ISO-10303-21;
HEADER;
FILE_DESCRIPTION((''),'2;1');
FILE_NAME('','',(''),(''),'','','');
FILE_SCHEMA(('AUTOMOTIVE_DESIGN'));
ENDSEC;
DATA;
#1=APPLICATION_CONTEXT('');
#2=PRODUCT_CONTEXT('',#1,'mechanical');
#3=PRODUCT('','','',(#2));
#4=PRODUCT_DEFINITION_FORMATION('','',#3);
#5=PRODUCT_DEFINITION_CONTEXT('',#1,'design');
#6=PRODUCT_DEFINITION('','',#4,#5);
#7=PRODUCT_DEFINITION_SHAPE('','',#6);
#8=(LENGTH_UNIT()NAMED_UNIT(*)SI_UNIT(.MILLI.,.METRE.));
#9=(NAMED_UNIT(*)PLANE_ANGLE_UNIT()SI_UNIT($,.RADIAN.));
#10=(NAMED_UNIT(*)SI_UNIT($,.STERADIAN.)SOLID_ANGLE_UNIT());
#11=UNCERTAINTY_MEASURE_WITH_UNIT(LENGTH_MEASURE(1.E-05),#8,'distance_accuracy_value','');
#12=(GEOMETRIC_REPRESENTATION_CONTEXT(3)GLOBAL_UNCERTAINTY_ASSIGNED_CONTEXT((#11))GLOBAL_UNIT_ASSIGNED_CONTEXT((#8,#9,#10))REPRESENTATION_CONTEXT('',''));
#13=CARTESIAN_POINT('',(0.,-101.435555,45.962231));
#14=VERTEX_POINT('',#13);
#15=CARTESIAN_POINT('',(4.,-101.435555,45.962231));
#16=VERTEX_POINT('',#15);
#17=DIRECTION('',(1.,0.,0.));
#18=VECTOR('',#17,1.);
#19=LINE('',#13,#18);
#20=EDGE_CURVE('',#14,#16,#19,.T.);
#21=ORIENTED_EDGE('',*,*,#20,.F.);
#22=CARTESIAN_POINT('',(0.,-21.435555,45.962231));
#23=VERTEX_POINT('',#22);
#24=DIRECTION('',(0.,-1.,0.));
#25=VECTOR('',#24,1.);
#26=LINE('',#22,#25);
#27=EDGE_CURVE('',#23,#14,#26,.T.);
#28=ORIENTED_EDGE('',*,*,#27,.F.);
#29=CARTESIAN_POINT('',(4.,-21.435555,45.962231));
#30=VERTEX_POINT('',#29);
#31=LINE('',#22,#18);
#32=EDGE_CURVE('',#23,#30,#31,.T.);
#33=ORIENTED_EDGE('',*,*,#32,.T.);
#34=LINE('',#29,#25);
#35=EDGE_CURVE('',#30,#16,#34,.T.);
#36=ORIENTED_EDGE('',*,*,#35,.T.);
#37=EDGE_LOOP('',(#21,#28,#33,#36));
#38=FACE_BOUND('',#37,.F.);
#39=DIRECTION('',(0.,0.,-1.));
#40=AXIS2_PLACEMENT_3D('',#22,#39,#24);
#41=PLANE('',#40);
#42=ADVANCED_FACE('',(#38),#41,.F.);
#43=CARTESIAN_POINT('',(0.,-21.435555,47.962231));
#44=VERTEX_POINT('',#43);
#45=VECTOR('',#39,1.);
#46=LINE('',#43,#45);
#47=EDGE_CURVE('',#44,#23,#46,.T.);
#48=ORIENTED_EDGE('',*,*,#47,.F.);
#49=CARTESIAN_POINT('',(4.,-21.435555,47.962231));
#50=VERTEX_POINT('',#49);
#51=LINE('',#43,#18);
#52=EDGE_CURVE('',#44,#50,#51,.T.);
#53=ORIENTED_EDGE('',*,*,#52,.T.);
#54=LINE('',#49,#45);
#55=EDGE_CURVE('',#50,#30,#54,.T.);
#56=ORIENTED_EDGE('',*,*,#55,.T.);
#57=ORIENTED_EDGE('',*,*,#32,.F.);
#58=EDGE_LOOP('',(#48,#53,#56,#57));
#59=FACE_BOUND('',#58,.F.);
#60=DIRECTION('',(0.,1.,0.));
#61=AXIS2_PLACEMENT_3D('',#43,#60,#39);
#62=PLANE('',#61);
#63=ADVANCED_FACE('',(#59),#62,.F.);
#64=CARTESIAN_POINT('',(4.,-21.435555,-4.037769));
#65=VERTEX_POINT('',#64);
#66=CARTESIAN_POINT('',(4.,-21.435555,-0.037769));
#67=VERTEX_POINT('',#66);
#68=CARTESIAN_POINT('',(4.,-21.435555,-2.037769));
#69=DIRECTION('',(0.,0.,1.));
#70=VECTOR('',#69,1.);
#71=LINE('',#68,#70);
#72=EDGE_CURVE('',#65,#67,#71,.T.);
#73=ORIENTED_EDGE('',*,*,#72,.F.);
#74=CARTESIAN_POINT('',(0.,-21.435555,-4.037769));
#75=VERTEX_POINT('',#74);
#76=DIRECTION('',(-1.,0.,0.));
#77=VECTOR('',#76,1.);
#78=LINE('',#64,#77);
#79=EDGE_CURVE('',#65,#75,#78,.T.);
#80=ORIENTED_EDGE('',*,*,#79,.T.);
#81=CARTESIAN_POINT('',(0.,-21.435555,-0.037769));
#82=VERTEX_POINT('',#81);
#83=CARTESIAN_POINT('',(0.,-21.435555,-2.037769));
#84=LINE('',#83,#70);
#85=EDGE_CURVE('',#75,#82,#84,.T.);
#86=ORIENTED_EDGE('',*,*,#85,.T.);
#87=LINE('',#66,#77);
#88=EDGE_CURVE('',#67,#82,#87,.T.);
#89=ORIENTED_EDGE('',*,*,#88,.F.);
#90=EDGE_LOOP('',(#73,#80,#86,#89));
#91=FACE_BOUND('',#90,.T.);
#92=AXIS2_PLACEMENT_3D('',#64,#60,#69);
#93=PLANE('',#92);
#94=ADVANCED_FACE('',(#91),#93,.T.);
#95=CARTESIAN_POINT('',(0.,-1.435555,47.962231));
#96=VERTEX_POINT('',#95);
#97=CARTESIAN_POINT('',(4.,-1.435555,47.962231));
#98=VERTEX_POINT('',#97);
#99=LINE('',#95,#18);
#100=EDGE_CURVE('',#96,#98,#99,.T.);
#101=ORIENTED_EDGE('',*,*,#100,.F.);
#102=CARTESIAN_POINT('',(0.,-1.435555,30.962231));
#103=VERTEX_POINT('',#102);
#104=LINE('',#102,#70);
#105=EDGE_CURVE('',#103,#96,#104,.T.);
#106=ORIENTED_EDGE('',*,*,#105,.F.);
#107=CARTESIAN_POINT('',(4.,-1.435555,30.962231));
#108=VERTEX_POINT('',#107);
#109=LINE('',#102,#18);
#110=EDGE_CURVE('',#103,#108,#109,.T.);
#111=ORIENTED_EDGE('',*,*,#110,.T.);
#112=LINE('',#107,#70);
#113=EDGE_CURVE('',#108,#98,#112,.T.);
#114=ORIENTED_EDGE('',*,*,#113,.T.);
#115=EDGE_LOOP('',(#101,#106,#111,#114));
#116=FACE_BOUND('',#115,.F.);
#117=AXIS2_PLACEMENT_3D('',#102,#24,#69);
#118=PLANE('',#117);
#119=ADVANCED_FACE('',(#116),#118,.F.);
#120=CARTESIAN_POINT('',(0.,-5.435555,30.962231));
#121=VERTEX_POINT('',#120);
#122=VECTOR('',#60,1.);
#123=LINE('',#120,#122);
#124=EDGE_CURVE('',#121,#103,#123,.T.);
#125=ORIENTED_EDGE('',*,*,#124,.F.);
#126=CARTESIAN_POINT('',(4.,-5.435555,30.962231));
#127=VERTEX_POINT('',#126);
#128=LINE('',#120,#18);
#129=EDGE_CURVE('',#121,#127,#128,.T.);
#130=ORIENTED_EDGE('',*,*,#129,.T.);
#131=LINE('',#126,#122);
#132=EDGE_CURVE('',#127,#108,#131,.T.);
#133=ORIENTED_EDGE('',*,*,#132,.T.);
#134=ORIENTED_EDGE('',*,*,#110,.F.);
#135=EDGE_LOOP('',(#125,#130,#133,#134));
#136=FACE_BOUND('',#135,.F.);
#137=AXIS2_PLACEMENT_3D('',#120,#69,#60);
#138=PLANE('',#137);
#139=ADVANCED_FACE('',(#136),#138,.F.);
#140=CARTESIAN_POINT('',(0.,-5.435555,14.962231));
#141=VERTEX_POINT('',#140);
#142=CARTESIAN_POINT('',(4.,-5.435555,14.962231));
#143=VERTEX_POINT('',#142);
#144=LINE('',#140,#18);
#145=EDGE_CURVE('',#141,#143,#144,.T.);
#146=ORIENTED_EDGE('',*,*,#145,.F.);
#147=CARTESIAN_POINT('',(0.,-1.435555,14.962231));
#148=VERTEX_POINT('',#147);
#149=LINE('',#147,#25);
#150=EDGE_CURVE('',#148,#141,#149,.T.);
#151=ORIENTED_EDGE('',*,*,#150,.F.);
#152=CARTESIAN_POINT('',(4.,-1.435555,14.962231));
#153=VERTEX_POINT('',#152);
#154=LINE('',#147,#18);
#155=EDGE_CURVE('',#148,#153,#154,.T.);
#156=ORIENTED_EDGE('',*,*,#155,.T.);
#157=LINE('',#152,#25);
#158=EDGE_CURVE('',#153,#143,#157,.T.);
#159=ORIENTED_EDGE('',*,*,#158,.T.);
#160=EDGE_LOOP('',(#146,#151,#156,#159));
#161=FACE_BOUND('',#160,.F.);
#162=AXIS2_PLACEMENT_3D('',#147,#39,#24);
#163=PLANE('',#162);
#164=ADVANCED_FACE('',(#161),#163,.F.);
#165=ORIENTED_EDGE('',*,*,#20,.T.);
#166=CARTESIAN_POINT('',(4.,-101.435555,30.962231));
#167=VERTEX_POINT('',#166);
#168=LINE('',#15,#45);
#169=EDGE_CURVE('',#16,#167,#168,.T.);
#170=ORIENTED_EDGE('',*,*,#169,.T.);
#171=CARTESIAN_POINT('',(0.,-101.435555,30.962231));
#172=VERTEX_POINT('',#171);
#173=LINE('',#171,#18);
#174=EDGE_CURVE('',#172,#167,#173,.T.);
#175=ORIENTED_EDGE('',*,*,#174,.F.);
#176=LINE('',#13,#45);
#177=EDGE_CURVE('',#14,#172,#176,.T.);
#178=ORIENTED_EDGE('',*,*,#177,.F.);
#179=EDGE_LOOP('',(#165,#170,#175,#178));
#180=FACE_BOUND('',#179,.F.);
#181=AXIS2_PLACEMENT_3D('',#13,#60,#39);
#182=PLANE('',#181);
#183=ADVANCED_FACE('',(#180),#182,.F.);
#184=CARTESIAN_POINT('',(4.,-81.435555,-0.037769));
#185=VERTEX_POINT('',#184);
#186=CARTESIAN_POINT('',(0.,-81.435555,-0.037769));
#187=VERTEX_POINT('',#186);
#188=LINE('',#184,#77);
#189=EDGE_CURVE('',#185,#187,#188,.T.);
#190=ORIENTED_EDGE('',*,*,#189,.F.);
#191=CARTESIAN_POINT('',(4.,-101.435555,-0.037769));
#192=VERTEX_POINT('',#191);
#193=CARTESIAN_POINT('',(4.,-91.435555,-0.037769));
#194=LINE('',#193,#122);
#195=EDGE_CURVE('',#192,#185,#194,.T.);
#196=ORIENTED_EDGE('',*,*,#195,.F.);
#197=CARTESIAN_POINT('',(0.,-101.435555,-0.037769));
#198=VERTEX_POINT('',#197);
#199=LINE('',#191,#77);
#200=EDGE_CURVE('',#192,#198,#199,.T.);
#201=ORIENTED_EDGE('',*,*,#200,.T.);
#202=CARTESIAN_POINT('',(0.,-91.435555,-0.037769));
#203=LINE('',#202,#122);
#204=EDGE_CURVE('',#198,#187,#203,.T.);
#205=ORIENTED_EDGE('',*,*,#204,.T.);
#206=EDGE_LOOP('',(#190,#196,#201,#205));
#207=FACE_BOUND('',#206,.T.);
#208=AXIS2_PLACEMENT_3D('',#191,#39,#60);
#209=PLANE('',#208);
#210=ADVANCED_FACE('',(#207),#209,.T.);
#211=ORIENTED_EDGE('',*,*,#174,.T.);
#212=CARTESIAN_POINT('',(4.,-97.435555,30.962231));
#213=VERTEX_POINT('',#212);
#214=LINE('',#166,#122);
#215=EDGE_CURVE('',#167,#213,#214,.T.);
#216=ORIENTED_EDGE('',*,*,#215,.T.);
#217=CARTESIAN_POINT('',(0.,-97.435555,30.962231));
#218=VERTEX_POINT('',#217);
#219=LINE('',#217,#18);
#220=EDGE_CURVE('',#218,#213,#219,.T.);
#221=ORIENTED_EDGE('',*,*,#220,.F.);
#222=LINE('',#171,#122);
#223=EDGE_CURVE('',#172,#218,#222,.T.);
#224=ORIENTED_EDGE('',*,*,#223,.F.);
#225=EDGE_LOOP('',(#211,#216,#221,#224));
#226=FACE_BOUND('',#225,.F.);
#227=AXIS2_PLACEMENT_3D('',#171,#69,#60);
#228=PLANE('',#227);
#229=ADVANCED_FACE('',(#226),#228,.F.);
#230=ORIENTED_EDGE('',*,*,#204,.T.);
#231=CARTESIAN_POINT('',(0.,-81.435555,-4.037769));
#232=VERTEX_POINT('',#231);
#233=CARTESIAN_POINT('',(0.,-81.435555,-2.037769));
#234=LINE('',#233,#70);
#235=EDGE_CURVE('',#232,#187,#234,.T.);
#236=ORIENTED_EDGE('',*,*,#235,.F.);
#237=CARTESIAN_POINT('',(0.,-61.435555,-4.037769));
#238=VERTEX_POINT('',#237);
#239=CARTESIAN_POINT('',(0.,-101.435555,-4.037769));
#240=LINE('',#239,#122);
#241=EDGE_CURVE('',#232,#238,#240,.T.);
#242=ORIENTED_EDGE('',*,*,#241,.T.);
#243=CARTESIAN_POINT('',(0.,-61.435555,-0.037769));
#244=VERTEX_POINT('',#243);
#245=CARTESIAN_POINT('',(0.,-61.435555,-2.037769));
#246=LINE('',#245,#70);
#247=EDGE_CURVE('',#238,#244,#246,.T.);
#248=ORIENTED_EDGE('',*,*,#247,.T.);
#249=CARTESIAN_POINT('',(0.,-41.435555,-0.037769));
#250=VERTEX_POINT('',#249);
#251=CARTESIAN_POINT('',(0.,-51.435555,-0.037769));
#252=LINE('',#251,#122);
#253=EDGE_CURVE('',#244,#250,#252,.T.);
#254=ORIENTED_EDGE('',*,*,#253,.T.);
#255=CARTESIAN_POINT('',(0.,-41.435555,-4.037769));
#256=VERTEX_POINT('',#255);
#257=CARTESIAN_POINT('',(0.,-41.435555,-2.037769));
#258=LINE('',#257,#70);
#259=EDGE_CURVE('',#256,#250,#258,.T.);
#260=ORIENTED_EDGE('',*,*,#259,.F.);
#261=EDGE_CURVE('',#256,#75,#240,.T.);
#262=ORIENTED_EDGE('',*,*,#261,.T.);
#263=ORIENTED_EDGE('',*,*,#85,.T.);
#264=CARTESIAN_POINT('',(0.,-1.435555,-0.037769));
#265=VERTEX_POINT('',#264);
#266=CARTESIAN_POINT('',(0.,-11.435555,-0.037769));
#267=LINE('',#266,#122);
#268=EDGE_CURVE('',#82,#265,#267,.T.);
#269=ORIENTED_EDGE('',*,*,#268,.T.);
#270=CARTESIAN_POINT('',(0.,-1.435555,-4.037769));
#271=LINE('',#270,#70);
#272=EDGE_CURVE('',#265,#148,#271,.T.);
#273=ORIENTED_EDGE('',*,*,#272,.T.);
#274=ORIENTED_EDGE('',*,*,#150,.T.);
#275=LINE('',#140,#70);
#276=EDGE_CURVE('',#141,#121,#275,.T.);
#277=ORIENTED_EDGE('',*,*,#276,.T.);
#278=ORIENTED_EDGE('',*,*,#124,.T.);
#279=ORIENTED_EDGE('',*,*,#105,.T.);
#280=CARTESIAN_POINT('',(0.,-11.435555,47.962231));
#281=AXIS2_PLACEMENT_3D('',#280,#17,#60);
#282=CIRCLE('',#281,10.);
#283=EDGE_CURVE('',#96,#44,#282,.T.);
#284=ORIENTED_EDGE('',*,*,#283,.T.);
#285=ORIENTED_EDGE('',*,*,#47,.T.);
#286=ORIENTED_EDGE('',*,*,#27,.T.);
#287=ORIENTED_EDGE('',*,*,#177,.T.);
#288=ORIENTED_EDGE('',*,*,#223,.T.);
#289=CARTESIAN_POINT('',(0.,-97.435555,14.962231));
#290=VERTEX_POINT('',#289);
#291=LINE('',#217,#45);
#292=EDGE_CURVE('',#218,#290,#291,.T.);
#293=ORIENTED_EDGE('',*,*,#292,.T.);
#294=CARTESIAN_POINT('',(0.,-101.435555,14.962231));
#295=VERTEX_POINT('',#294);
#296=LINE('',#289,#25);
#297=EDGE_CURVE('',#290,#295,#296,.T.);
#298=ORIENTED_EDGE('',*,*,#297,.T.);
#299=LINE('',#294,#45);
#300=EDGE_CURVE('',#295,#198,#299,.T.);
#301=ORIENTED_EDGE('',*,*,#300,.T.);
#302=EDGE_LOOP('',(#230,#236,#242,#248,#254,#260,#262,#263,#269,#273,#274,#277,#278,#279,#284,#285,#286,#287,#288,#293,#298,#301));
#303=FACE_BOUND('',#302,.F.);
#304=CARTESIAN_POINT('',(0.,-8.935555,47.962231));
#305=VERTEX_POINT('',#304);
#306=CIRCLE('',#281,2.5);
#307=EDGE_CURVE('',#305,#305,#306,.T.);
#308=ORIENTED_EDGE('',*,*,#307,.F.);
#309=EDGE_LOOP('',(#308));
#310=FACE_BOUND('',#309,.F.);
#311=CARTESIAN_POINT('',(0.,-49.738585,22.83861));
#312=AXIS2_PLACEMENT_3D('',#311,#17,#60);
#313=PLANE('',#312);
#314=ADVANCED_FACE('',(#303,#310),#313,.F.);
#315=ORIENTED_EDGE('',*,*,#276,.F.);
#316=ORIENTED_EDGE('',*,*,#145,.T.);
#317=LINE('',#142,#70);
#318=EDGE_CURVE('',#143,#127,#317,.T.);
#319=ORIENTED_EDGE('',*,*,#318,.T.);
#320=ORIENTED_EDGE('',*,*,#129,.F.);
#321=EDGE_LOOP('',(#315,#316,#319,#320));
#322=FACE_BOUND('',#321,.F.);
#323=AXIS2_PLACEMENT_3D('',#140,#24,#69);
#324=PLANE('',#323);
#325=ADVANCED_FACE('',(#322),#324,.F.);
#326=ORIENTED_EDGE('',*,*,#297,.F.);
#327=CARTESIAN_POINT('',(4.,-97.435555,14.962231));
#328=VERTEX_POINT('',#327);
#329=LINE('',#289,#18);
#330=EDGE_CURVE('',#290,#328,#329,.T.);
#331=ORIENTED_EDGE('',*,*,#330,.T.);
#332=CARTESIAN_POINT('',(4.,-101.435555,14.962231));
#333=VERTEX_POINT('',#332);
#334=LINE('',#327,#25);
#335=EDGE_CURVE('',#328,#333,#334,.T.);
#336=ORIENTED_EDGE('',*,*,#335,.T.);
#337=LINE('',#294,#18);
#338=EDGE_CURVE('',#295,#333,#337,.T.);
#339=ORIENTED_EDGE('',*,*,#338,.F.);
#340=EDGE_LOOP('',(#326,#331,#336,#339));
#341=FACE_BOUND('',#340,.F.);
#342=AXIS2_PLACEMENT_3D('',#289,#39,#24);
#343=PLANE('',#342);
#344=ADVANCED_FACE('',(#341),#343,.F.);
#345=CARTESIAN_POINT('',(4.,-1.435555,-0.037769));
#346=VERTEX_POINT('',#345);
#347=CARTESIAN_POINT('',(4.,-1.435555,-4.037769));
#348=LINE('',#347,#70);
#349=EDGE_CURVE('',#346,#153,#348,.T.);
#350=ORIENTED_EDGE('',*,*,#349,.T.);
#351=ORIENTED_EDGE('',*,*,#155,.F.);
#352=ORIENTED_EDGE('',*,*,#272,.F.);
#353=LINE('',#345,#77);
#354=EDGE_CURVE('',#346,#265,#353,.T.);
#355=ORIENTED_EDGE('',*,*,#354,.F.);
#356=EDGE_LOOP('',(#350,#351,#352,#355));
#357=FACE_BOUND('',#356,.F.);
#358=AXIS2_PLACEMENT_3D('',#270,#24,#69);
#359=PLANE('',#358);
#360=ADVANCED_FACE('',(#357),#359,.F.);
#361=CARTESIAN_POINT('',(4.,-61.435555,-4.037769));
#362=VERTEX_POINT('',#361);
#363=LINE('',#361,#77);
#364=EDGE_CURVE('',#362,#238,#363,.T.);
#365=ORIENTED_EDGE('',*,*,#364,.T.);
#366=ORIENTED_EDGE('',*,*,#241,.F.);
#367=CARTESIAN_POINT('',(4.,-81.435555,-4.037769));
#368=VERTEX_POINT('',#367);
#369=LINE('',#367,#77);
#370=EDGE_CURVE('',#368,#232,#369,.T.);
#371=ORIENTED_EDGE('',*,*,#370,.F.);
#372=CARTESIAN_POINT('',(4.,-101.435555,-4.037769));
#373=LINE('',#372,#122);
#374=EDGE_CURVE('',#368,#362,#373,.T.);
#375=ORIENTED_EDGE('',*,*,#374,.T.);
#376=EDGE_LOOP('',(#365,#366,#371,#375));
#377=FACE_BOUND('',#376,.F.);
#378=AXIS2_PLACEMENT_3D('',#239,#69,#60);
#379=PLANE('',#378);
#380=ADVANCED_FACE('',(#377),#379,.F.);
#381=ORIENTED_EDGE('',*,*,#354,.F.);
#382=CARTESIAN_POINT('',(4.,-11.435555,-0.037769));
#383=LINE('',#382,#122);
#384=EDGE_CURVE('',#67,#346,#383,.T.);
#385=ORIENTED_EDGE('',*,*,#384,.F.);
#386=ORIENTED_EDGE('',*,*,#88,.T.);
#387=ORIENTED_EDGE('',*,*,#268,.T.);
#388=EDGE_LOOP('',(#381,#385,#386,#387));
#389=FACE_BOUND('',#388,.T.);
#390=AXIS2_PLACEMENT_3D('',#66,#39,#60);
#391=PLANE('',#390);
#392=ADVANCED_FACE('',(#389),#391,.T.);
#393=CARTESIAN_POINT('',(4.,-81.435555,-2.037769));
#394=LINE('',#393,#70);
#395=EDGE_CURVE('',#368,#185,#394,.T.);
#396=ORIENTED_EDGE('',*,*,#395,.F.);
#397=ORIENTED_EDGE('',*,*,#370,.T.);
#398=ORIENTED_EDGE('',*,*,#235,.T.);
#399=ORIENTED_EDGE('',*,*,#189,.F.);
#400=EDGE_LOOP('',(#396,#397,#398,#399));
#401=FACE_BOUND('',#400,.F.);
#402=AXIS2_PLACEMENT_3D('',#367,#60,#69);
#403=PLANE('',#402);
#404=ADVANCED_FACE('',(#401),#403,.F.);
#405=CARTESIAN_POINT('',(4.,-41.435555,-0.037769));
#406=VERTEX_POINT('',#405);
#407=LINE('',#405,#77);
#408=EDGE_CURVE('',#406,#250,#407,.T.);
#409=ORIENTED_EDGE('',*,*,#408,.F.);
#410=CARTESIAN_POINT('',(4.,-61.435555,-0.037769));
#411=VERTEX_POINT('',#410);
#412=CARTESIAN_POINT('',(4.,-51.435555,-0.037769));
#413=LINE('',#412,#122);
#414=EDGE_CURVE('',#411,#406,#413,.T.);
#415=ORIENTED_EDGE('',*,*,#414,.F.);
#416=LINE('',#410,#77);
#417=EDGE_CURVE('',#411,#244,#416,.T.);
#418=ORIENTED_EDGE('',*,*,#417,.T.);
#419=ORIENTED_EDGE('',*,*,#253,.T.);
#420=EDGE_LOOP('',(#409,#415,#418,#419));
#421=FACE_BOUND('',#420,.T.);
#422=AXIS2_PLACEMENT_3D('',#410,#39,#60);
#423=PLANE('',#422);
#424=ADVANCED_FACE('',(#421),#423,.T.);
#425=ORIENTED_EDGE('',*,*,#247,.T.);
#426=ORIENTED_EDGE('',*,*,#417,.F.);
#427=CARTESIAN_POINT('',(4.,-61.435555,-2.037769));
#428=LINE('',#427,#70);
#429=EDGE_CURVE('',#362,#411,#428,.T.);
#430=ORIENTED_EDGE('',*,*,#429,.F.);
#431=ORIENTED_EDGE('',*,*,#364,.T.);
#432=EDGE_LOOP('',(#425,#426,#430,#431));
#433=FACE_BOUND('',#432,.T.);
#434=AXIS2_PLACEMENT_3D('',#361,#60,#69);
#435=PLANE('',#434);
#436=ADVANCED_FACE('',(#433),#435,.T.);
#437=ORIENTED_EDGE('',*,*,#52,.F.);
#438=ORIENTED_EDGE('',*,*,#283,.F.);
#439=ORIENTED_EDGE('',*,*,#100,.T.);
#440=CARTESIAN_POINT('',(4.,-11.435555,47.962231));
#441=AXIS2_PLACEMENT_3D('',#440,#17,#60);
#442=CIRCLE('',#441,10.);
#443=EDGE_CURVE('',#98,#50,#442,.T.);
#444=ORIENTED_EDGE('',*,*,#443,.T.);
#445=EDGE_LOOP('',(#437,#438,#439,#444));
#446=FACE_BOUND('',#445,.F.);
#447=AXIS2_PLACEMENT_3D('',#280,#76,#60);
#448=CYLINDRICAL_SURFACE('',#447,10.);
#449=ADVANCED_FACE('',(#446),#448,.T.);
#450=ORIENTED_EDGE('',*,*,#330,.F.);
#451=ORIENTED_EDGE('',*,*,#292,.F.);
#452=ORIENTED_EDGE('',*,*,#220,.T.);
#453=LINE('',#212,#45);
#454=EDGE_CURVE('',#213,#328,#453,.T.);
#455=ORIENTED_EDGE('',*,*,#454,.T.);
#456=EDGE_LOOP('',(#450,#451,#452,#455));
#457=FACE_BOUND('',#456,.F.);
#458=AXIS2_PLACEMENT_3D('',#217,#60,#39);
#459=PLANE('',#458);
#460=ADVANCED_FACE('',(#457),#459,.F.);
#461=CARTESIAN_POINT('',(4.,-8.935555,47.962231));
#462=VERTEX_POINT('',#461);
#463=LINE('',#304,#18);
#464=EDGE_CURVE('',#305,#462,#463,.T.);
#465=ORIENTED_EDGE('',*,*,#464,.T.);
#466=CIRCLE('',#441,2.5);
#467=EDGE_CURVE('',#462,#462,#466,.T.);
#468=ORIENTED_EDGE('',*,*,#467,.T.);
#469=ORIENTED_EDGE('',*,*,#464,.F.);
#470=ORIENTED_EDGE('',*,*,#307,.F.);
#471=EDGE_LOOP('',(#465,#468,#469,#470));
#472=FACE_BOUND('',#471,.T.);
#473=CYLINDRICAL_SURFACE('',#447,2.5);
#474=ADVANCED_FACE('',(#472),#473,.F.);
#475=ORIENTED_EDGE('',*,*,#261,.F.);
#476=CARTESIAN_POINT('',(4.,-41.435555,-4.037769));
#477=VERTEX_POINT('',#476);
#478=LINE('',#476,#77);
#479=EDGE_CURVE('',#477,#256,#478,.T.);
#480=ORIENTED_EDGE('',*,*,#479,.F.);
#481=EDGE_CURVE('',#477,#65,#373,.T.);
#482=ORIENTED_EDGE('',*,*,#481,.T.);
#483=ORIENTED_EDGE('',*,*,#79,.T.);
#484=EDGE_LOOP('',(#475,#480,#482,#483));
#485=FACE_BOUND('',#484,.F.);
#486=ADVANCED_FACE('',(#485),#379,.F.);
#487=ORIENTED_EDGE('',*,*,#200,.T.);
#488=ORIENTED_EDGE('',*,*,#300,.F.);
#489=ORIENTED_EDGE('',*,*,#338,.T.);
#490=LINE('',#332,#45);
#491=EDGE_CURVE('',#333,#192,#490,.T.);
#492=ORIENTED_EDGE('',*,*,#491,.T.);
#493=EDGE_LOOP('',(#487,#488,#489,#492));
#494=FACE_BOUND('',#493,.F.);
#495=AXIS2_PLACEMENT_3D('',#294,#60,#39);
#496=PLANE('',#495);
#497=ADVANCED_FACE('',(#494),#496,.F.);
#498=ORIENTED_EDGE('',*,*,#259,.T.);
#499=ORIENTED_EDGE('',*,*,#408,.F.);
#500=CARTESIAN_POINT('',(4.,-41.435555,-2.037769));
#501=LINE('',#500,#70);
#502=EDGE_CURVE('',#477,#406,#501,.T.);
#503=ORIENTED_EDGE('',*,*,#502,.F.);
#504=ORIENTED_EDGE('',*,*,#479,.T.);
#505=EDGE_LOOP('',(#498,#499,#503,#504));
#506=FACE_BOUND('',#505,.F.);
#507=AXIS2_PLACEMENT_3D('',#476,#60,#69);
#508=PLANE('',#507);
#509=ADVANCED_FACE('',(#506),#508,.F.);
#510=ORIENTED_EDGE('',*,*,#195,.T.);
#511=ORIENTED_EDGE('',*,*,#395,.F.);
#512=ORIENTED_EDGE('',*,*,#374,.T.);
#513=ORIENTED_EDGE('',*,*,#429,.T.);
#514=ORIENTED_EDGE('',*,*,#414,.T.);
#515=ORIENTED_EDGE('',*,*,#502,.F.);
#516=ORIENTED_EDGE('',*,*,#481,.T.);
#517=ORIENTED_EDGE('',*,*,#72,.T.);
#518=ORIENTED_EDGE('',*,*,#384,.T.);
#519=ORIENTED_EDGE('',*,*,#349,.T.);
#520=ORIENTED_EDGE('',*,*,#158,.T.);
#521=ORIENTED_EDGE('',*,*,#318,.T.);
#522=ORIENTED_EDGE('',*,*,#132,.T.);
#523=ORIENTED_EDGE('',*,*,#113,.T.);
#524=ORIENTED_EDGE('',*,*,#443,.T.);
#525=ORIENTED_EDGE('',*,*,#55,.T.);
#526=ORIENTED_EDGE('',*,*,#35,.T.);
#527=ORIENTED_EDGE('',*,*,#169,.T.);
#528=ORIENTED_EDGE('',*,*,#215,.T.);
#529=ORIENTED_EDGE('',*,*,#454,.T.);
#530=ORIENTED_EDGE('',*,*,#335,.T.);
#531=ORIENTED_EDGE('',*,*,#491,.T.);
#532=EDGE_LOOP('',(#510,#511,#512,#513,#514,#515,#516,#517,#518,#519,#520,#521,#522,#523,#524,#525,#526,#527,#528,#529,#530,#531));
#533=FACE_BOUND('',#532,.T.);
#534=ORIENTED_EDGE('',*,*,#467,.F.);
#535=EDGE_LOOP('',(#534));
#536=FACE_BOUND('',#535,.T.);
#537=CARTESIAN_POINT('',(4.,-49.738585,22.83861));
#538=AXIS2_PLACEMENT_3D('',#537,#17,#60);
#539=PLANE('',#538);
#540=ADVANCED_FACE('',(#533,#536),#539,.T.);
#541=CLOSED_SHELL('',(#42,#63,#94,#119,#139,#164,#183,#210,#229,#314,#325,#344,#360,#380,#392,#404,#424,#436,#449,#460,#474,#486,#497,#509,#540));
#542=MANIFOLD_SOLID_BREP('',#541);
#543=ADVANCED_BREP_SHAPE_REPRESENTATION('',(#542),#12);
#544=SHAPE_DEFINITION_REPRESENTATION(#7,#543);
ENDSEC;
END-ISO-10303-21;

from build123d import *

# Parameters (mm, degrees)
F0_R     = 2.5
F1_DEPTH = 4
F2_W     = 20
F2_H     = 4
F3_DEPTH = 4


with BuildPart() as f1:
    # F0 (on Right) → F1 (new body)
    with BuildSketch(Plane.YZ):
        with BuildLine():
            Line((-21.435555, 45.962231), (-101.435555, 45.962231))
            Line((-101.435555, 45.962231), (-101.435555, 30.962231))
            Line((-101.435555, 30.962231), (-97.435555, 30.962231))
            Line((-97.435555, 30.962231), (-97.435555, 14.962231))
            Line((-97.435555, 14.962231), (-101.435555, 14.962231))
            Line((-101.435555, 14.962231), (-101.435555, -4.037769))
            Line((-101.435555, -4.037769), (-1.435555, -4.037769))
            Line((-1.435555, -4.037769), (-1.435555, 14.962231))
            Line((-1.435555, 14.962231), (-5.435555, 14.962231))
            Line((-5.435555, 14.962231), (-5.435555, 30.962231))
            Line((-5.435555, 30.962231), (-1.435555, 30.962231))
            Line((-1.435555, 30.962231), (-1.435555, 45.962231))
            Line((-1.435555, 45.962231), (-1.435555, 47.962231))
            ThreePointArc((-1.435555, 47.962231), (-11.435555, 57.962231), (-21.435555, 47.962231))
            Line((-21.435555, 47.962231), (-21.435555, 45.962231))
        make_face()
        with Locations((-11.435555, 47.962231)):
            Circle(F0_R, mode=Mode.SUBTRACT)
    extrude(amount=F1_DEPTH)

    # F2 (on face) → F3 (cut)
    with BuildSketch(Plane.YZ.offset(4)):
        with Locations((-91.435555, -2.037769)):
            Rectangle(F2_W, F2_H)
        with Locations((-51.435555, -2.037769)):
            Rectangle(F2_W, F2_H)
        with Locations((-11.435555, -2.037769)):
            Rectangle(F2_W, F2_H)
    extrude(amount=-F3_DEPTH, mode=Mode.SUBTRACT)


solid = f1.part
